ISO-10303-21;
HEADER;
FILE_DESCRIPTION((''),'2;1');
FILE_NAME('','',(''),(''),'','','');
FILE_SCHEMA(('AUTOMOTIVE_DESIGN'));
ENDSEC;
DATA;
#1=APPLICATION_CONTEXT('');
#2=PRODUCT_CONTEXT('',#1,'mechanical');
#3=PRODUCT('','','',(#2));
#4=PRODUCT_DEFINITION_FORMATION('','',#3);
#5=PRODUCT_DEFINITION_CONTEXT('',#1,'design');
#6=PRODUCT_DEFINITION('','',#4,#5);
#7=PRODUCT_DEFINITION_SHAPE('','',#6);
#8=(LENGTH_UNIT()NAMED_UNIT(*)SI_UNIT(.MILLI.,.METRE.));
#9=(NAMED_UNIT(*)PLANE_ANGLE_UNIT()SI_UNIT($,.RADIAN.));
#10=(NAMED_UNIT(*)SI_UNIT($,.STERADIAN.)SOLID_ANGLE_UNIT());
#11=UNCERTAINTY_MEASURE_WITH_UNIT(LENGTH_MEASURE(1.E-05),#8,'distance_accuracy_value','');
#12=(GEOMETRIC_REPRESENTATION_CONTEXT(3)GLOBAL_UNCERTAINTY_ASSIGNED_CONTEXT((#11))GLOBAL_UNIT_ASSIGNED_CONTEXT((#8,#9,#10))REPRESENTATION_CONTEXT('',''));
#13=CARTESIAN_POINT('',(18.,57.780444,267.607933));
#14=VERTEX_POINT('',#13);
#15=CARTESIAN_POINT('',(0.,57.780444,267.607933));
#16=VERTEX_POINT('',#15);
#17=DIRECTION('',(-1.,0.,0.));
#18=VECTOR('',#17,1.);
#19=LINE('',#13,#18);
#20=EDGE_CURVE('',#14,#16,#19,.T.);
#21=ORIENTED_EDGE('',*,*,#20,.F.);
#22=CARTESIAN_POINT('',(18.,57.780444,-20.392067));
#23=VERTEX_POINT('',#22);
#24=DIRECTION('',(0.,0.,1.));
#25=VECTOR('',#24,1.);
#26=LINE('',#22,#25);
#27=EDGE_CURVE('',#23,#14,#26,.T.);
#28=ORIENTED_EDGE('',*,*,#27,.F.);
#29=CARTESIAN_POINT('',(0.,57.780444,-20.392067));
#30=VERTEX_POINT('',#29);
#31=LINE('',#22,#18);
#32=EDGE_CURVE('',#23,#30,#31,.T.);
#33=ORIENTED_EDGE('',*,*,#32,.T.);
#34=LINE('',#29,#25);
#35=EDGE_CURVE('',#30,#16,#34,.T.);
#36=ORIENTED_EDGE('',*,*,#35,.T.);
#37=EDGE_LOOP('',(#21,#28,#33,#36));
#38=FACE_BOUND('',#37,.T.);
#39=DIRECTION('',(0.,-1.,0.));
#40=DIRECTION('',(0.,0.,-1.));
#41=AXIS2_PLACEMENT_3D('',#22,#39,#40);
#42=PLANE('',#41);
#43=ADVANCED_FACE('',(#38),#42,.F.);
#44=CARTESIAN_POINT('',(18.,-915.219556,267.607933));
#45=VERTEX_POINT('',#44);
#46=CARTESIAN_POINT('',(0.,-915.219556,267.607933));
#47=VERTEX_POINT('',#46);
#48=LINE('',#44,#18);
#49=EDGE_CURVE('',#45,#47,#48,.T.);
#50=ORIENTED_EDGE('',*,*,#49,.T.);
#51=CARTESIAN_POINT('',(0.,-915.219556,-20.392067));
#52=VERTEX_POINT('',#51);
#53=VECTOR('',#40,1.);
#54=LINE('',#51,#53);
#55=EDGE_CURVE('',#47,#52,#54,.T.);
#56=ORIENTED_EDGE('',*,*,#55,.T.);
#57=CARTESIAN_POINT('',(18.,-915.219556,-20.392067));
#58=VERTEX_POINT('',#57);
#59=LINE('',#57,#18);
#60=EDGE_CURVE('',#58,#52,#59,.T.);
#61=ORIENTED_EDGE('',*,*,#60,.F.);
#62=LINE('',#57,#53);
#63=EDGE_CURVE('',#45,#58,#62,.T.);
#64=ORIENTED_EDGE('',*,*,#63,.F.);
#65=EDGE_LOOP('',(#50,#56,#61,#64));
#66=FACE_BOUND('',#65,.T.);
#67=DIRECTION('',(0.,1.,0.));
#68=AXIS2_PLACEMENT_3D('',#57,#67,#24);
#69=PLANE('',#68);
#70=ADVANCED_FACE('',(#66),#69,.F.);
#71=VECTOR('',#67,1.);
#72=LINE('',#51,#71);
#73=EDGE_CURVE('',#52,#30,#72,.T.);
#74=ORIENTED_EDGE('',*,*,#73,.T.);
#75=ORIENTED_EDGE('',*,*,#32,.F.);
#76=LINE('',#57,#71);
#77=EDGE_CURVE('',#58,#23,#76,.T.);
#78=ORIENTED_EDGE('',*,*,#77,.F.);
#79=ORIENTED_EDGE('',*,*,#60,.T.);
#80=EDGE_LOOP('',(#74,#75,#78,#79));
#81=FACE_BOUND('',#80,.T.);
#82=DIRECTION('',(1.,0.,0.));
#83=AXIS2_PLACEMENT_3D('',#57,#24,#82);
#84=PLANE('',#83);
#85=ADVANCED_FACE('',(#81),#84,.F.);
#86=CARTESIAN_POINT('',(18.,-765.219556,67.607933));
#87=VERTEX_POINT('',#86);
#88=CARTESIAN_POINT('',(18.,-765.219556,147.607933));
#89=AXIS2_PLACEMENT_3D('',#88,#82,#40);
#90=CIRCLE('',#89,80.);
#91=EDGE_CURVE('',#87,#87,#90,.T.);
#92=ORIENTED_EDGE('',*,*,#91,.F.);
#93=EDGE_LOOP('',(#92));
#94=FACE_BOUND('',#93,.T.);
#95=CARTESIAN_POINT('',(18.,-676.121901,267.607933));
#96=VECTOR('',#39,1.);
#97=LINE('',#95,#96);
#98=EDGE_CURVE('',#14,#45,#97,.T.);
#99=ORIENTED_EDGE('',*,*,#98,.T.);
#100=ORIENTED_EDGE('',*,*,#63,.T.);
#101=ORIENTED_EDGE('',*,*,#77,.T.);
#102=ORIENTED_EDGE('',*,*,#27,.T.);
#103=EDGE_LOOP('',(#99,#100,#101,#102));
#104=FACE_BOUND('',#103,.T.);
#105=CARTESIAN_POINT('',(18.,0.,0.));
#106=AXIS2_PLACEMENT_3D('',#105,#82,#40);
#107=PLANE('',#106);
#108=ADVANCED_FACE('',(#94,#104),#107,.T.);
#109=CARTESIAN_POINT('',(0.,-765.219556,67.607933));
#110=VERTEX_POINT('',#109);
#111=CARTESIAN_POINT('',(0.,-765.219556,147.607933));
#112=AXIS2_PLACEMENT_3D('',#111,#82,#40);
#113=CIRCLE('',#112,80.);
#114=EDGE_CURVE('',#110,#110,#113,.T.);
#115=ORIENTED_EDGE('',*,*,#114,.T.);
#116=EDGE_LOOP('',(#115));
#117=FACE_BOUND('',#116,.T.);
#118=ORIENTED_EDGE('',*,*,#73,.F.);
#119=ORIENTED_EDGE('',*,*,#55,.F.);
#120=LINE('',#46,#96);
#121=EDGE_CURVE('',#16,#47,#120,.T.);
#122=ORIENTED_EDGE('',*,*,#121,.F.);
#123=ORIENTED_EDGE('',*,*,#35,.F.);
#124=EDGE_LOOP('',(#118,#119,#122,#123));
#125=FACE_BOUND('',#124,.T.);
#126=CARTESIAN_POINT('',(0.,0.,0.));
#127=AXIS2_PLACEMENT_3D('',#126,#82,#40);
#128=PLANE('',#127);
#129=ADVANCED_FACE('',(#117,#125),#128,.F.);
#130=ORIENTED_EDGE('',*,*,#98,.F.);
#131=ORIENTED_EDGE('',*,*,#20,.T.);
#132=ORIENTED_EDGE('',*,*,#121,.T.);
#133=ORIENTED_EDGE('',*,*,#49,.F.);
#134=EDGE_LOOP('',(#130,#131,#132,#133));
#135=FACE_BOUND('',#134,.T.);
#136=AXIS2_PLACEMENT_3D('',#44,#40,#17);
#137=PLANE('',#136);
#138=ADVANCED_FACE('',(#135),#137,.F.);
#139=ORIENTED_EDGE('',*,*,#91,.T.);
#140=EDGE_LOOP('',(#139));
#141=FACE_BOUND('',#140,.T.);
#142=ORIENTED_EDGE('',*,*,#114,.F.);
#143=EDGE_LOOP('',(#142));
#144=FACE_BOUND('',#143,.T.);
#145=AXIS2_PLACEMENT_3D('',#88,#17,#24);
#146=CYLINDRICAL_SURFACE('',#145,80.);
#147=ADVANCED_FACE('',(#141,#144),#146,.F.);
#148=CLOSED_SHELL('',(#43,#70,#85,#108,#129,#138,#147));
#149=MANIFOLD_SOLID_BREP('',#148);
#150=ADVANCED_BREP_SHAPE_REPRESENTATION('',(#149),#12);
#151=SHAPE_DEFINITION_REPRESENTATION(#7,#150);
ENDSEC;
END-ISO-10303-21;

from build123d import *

# Parameters (mm, degrees)
SKETCH1_R           = 80
BOSS_EXTRUDE1_DEPTH = 18


with BuildPart() as part:
    # Sketch1 → Boss-Extrude1 (new body)
    with BuildSketch(Plane(origin=(0, 0, 0), x_dir=(0, 0, -1), z_dir=(1, 0, 0))):
        Polygon((20.392066811, -915.219556499), (-267.607933189, -915.219556499), (-267.607933189, -836.121901092), (-267.607933189, -676.121901092), (-267.607933189, 57.780443501), (20.392066811, 57.780443501), align=None)
        with Locations((-147.607933189, -765.219556499)):
            Circle(SKETCH1_R, mode=Mode.SUBTRACT)
    extrude(amount=BOSS_EXTRUDE1_DEPTH)


solid = part.part
